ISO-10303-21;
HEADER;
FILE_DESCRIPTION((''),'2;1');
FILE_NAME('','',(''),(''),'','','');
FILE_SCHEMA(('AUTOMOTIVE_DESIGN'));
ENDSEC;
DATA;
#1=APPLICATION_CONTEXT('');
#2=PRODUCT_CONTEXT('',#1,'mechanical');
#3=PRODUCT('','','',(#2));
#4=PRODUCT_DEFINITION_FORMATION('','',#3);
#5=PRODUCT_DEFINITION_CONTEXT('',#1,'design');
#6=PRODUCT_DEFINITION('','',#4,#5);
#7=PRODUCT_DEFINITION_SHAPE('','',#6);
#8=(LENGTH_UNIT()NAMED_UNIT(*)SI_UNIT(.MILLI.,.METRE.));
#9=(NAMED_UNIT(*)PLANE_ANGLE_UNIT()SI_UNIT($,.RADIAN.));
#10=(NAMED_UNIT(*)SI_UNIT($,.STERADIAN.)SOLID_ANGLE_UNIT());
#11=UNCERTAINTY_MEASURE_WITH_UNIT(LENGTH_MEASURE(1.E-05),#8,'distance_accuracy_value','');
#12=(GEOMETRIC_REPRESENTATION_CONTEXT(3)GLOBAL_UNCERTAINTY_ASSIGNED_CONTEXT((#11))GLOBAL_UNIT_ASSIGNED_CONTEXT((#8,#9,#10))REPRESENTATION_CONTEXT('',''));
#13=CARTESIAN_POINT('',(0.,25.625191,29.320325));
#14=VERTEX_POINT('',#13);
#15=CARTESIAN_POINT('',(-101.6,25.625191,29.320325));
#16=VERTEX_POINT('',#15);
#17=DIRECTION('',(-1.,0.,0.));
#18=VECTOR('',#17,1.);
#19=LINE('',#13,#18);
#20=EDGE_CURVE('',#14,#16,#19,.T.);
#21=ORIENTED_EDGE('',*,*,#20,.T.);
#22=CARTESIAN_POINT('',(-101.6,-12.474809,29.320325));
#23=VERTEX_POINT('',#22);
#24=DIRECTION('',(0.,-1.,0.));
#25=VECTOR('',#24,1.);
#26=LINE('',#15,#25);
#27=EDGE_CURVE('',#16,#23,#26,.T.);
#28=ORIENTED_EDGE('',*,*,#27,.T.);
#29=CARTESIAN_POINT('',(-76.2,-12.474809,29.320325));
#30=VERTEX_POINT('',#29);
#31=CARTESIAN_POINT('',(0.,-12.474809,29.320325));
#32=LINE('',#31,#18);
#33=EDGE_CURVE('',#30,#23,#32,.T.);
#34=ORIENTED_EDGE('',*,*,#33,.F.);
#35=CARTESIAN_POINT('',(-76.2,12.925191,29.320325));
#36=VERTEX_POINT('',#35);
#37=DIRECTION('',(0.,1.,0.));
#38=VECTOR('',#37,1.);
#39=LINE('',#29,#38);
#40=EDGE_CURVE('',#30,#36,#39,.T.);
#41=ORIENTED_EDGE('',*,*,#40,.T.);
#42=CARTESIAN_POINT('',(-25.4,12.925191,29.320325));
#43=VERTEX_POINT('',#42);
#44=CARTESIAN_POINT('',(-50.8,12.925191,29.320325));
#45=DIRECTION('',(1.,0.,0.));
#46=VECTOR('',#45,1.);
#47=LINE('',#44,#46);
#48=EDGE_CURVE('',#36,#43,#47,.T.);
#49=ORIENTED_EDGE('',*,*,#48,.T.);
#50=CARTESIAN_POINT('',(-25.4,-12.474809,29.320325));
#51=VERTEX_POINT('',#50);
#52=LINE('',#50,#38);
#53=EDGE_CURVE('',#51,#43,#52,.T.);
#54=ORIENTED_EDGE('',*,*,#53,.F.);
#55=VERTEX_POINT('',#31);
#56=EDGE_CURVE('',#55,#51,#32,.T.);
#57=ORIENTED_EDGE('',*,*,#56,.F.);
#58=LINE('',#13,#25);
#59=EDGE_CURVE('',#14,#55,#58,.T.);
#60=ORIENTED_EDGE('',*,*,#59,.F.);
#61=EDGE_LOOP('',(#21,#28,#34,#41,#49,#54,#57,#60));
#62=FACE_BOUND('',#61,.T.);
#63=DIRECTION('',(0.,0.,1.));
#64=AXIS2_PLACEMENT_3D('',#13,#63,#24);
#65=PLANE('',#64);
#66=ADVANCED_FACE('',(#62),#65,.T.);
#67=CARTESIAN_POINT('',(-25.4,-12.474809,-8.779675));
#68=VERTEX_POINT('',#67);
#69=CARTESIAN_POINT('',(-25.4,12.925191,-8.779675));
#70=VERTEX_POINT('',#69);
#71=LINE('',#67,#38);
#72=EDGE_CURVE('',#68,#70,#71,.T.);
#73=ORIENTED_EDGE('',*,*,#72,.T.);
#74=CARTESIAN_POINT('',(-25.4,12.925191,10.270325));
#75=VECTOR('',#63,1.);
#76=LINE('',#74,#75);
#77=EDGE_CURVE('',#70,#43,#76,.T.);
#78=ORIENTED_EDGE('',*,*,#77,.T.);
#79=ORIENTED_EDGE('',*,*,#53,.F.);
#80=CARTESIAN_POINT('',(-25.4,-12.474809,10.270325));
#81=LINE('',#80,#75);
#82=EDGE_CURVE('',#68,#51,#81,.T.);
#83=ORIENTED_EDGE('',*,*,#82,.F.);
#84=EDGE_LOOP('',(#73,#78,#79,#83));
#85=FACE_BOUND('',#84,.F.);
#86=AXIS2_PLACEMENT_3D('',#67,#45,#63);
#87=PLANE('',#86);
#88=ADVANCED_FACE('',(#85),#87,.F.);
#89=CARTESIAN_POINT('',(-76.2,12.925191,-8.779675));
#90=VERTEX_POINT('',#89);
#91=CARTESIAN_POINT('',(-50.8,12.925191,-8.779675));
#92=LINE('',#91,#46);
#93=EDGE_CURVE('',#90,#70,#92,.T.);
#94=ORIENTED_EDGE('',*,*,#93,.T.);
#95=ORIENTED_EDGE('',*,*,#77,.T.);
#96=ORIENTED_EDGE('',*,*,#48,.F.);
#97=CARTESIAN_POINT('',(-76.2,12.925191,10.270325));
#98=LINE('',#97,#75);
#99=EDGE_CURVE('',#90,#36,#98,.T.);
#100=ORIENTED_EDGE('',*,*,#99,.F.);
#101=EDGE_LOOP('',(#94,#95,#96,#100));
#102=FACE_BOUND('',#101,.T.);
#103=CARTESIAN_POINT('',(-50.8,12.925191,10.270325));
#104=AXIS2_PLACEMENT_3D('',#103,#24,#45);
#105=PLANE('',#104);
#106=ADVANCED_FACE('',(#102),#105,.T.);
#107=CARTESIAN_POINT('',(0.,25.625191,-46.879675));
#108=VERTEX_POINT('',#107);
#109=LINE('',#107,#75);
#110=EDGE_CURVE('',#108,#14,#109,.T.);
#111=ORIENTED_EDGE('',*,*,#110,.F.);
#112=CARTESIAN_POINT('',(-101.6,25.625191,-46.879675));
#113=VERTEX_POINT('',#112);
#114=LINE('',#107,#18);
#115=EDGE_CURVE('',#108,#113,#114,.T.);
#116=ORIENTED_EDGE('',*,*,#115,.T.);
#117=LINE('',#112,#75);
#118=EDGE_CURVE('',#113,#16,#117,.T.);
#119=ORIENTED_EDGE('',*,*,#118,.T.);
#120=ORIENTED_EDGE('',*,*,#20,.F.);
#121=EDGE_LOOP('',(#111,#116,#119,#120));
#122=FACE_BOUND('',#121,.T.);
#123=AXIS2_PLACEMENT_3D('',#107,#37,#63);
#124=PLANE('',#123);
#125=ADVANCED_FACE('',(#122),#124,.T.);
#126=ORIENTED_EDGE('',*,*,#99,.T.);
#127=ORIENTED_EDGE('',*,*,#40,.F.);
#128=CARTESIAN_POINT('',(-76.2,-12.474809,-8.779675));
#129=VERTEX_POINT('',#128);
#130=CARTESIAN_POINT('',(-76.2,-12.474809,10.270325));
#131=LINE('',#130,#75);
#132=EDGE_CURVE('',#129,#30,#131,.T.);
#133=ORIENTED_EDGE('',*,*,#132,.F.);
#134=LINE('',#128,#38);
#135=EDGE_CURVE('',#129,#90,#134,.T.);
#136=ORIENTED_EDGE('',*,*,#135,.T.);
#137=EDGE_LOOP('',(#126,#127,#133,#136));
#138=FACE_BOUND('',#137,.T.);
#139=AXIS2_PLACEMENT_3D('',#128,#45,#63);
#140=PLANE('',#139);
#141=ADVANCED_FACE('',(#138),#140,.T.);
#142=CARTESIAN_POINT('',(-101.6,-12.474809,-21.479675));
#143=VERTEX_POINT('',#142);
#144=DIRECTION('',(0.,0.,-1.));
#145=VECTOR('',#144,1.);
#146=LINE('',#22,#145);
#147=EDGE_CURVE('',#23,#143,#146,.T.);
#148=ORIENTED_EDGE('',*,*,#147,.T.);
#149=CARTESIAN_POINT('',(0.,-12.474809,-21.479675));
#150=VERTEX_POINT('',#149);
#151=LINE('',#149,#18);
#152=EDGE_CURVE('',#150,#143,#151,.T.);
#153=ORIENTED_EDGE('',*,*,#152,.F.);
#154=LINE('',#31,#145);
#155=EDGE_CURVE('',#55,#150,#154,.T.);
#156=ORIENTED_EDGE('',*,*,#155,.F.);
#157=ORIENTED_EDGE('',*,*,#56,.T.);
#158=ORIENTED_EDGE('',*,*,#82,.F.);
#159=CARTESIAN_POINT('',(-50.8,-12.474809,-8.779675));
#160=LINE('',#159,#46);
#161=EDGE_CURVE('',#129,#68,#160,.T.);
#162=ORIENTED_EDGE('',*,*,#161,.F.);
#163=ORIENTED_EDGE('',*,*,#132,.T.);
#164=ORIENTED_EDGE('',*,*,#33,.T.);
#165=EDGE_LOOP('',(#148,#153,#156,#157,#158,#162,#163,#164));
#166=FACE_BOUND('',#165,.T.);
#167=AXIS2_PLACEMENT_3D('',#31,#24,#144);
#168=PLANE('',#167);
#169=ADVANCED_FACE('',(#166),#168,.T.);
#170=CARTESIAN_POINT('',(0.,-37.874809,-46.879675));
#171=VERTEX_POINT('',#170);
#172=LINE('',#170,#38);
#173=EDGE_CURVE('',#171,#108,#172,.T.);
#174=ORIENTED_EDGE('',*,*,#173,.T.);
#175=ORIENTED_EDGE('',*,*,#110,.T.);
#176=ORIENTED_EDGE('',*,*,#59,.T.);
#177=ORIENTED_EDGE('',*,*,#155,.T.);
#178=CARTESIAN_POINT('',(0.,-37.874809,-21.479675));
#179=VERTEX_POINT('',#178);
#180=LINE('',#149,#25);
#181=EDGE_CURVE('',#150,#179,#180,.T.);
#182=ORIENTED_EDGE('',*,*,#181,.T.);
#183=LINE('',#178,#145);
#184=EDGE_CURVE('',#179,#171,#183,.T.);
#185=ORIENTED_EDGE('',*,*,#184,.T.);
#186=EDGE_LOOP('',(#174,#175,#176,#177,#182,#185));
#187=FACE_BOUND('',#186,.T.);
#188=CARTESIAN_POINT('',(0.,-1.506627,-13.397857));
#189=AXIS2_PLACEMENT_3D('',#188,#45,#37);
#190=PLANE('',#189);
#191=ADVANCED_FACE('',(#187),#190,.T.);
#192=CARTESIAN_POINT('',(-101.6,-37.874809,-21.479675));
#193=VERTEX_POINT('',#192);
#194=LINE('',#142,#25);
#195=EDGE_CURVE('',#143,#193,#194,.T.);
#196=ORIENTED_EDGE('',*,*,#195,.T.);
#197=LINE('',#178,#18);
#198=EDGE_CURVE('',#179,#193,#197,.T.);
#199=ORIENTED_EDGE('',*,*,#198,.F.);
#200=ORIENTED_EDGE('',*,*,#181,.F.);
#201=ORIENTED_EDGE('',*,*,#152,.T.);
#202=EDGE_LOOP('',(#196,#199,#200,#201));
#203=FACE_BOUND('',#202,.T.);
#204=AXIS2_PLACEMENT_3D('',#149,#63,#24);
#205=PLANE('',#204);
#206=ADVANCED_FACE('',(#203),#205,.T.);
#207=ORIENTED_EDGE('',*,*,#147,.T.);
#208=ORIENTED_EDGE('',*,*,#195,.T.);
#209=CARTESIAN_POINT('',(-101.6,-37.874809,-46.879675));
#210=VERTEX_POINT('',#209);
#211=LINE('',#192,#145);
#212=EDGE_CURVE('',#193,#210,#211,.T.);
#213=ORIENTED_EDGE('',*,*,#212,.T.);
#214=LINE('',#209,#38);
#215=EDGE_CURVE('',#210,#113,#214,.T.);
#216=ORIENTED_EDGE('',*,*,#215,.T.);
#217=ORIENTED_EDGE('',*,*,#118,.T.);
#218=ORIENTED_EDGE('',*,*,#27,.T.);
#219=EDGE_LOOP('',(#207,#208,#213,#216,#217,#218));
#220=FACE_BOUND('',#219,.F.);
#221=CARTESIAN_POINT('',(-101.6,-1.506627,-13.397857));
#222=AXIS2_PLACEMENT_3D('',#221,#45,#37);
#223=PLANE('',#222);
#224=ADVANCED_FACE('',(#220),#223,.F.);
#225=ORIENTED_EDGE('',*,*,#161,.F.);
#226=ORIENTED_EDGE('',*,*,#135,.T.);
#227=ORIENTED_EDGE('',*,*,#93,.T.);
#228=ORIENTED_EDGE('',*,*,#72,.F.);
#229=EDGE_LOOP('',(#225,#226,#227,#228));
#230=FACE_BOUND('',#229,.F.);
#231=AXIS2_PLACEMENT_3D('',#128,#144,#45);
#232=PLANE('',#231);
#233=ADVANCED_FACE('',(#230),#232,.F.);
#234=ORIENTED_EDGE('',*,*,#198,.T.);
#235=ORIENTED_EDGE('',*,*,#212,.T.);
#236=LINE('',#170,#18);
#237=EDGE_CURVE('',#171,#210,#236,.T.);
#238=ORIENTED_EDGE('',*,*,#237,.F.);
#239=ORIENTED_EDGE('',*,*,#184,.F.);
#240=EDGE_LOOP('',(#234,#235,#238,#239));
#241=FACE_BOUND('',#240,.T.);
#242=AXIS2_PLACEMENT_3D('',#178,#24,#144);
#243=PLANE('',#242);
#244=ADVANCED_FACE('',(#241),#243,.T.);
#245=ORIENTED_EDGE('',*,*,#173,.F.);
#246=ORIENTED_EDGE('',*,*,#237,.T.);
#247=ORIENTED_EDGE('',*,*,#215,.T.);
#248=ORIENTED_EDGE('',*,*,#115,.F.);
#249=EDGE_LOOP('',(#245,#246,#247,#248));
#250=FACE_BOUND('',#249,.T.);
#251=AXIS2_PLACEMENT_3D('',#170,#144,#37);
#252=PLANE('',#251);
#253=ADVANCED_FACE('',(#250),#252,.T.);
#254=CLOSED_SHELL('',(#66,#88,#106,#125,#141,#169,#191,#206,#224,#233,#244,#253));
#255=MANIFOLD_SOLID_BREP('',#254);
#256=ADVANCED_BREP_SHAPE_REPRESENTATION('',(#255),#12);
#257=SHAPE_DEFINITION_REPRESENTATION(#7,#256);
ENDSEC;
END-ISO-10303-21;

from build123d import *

# Parameters (mm, degrees)
F1_DEPTH = 101.6
F2_W     = 50.8
F2_H     = 38.1
F3_DEPTH = 25.4


with BuildPart() as f1:
    # F0 (on Right) → F1 (new body)
    with BuildSketch(Plane.YZ):
        Polygon((-37.874809, -21.479675), (-37.874809, -46.879675), (25.625191, -46.879675), (25.625191, 29.320325), (-12.474809, 29.320325), (-12.474809, -21.479675), align=None)
    extrude(amount=-F1_DEPTH)

    # F2 (on face) → F3 (cut)
    with BuildSketch(Plane.XZ.offset(12.474809)):
        with Locations((-50.8, 10.270325)):
            Rectangle(F2_W, F2_H)
    extrude(amount=-F3_DEPTH, mode=Mode.SUBTRACT)


solid = f1.part
